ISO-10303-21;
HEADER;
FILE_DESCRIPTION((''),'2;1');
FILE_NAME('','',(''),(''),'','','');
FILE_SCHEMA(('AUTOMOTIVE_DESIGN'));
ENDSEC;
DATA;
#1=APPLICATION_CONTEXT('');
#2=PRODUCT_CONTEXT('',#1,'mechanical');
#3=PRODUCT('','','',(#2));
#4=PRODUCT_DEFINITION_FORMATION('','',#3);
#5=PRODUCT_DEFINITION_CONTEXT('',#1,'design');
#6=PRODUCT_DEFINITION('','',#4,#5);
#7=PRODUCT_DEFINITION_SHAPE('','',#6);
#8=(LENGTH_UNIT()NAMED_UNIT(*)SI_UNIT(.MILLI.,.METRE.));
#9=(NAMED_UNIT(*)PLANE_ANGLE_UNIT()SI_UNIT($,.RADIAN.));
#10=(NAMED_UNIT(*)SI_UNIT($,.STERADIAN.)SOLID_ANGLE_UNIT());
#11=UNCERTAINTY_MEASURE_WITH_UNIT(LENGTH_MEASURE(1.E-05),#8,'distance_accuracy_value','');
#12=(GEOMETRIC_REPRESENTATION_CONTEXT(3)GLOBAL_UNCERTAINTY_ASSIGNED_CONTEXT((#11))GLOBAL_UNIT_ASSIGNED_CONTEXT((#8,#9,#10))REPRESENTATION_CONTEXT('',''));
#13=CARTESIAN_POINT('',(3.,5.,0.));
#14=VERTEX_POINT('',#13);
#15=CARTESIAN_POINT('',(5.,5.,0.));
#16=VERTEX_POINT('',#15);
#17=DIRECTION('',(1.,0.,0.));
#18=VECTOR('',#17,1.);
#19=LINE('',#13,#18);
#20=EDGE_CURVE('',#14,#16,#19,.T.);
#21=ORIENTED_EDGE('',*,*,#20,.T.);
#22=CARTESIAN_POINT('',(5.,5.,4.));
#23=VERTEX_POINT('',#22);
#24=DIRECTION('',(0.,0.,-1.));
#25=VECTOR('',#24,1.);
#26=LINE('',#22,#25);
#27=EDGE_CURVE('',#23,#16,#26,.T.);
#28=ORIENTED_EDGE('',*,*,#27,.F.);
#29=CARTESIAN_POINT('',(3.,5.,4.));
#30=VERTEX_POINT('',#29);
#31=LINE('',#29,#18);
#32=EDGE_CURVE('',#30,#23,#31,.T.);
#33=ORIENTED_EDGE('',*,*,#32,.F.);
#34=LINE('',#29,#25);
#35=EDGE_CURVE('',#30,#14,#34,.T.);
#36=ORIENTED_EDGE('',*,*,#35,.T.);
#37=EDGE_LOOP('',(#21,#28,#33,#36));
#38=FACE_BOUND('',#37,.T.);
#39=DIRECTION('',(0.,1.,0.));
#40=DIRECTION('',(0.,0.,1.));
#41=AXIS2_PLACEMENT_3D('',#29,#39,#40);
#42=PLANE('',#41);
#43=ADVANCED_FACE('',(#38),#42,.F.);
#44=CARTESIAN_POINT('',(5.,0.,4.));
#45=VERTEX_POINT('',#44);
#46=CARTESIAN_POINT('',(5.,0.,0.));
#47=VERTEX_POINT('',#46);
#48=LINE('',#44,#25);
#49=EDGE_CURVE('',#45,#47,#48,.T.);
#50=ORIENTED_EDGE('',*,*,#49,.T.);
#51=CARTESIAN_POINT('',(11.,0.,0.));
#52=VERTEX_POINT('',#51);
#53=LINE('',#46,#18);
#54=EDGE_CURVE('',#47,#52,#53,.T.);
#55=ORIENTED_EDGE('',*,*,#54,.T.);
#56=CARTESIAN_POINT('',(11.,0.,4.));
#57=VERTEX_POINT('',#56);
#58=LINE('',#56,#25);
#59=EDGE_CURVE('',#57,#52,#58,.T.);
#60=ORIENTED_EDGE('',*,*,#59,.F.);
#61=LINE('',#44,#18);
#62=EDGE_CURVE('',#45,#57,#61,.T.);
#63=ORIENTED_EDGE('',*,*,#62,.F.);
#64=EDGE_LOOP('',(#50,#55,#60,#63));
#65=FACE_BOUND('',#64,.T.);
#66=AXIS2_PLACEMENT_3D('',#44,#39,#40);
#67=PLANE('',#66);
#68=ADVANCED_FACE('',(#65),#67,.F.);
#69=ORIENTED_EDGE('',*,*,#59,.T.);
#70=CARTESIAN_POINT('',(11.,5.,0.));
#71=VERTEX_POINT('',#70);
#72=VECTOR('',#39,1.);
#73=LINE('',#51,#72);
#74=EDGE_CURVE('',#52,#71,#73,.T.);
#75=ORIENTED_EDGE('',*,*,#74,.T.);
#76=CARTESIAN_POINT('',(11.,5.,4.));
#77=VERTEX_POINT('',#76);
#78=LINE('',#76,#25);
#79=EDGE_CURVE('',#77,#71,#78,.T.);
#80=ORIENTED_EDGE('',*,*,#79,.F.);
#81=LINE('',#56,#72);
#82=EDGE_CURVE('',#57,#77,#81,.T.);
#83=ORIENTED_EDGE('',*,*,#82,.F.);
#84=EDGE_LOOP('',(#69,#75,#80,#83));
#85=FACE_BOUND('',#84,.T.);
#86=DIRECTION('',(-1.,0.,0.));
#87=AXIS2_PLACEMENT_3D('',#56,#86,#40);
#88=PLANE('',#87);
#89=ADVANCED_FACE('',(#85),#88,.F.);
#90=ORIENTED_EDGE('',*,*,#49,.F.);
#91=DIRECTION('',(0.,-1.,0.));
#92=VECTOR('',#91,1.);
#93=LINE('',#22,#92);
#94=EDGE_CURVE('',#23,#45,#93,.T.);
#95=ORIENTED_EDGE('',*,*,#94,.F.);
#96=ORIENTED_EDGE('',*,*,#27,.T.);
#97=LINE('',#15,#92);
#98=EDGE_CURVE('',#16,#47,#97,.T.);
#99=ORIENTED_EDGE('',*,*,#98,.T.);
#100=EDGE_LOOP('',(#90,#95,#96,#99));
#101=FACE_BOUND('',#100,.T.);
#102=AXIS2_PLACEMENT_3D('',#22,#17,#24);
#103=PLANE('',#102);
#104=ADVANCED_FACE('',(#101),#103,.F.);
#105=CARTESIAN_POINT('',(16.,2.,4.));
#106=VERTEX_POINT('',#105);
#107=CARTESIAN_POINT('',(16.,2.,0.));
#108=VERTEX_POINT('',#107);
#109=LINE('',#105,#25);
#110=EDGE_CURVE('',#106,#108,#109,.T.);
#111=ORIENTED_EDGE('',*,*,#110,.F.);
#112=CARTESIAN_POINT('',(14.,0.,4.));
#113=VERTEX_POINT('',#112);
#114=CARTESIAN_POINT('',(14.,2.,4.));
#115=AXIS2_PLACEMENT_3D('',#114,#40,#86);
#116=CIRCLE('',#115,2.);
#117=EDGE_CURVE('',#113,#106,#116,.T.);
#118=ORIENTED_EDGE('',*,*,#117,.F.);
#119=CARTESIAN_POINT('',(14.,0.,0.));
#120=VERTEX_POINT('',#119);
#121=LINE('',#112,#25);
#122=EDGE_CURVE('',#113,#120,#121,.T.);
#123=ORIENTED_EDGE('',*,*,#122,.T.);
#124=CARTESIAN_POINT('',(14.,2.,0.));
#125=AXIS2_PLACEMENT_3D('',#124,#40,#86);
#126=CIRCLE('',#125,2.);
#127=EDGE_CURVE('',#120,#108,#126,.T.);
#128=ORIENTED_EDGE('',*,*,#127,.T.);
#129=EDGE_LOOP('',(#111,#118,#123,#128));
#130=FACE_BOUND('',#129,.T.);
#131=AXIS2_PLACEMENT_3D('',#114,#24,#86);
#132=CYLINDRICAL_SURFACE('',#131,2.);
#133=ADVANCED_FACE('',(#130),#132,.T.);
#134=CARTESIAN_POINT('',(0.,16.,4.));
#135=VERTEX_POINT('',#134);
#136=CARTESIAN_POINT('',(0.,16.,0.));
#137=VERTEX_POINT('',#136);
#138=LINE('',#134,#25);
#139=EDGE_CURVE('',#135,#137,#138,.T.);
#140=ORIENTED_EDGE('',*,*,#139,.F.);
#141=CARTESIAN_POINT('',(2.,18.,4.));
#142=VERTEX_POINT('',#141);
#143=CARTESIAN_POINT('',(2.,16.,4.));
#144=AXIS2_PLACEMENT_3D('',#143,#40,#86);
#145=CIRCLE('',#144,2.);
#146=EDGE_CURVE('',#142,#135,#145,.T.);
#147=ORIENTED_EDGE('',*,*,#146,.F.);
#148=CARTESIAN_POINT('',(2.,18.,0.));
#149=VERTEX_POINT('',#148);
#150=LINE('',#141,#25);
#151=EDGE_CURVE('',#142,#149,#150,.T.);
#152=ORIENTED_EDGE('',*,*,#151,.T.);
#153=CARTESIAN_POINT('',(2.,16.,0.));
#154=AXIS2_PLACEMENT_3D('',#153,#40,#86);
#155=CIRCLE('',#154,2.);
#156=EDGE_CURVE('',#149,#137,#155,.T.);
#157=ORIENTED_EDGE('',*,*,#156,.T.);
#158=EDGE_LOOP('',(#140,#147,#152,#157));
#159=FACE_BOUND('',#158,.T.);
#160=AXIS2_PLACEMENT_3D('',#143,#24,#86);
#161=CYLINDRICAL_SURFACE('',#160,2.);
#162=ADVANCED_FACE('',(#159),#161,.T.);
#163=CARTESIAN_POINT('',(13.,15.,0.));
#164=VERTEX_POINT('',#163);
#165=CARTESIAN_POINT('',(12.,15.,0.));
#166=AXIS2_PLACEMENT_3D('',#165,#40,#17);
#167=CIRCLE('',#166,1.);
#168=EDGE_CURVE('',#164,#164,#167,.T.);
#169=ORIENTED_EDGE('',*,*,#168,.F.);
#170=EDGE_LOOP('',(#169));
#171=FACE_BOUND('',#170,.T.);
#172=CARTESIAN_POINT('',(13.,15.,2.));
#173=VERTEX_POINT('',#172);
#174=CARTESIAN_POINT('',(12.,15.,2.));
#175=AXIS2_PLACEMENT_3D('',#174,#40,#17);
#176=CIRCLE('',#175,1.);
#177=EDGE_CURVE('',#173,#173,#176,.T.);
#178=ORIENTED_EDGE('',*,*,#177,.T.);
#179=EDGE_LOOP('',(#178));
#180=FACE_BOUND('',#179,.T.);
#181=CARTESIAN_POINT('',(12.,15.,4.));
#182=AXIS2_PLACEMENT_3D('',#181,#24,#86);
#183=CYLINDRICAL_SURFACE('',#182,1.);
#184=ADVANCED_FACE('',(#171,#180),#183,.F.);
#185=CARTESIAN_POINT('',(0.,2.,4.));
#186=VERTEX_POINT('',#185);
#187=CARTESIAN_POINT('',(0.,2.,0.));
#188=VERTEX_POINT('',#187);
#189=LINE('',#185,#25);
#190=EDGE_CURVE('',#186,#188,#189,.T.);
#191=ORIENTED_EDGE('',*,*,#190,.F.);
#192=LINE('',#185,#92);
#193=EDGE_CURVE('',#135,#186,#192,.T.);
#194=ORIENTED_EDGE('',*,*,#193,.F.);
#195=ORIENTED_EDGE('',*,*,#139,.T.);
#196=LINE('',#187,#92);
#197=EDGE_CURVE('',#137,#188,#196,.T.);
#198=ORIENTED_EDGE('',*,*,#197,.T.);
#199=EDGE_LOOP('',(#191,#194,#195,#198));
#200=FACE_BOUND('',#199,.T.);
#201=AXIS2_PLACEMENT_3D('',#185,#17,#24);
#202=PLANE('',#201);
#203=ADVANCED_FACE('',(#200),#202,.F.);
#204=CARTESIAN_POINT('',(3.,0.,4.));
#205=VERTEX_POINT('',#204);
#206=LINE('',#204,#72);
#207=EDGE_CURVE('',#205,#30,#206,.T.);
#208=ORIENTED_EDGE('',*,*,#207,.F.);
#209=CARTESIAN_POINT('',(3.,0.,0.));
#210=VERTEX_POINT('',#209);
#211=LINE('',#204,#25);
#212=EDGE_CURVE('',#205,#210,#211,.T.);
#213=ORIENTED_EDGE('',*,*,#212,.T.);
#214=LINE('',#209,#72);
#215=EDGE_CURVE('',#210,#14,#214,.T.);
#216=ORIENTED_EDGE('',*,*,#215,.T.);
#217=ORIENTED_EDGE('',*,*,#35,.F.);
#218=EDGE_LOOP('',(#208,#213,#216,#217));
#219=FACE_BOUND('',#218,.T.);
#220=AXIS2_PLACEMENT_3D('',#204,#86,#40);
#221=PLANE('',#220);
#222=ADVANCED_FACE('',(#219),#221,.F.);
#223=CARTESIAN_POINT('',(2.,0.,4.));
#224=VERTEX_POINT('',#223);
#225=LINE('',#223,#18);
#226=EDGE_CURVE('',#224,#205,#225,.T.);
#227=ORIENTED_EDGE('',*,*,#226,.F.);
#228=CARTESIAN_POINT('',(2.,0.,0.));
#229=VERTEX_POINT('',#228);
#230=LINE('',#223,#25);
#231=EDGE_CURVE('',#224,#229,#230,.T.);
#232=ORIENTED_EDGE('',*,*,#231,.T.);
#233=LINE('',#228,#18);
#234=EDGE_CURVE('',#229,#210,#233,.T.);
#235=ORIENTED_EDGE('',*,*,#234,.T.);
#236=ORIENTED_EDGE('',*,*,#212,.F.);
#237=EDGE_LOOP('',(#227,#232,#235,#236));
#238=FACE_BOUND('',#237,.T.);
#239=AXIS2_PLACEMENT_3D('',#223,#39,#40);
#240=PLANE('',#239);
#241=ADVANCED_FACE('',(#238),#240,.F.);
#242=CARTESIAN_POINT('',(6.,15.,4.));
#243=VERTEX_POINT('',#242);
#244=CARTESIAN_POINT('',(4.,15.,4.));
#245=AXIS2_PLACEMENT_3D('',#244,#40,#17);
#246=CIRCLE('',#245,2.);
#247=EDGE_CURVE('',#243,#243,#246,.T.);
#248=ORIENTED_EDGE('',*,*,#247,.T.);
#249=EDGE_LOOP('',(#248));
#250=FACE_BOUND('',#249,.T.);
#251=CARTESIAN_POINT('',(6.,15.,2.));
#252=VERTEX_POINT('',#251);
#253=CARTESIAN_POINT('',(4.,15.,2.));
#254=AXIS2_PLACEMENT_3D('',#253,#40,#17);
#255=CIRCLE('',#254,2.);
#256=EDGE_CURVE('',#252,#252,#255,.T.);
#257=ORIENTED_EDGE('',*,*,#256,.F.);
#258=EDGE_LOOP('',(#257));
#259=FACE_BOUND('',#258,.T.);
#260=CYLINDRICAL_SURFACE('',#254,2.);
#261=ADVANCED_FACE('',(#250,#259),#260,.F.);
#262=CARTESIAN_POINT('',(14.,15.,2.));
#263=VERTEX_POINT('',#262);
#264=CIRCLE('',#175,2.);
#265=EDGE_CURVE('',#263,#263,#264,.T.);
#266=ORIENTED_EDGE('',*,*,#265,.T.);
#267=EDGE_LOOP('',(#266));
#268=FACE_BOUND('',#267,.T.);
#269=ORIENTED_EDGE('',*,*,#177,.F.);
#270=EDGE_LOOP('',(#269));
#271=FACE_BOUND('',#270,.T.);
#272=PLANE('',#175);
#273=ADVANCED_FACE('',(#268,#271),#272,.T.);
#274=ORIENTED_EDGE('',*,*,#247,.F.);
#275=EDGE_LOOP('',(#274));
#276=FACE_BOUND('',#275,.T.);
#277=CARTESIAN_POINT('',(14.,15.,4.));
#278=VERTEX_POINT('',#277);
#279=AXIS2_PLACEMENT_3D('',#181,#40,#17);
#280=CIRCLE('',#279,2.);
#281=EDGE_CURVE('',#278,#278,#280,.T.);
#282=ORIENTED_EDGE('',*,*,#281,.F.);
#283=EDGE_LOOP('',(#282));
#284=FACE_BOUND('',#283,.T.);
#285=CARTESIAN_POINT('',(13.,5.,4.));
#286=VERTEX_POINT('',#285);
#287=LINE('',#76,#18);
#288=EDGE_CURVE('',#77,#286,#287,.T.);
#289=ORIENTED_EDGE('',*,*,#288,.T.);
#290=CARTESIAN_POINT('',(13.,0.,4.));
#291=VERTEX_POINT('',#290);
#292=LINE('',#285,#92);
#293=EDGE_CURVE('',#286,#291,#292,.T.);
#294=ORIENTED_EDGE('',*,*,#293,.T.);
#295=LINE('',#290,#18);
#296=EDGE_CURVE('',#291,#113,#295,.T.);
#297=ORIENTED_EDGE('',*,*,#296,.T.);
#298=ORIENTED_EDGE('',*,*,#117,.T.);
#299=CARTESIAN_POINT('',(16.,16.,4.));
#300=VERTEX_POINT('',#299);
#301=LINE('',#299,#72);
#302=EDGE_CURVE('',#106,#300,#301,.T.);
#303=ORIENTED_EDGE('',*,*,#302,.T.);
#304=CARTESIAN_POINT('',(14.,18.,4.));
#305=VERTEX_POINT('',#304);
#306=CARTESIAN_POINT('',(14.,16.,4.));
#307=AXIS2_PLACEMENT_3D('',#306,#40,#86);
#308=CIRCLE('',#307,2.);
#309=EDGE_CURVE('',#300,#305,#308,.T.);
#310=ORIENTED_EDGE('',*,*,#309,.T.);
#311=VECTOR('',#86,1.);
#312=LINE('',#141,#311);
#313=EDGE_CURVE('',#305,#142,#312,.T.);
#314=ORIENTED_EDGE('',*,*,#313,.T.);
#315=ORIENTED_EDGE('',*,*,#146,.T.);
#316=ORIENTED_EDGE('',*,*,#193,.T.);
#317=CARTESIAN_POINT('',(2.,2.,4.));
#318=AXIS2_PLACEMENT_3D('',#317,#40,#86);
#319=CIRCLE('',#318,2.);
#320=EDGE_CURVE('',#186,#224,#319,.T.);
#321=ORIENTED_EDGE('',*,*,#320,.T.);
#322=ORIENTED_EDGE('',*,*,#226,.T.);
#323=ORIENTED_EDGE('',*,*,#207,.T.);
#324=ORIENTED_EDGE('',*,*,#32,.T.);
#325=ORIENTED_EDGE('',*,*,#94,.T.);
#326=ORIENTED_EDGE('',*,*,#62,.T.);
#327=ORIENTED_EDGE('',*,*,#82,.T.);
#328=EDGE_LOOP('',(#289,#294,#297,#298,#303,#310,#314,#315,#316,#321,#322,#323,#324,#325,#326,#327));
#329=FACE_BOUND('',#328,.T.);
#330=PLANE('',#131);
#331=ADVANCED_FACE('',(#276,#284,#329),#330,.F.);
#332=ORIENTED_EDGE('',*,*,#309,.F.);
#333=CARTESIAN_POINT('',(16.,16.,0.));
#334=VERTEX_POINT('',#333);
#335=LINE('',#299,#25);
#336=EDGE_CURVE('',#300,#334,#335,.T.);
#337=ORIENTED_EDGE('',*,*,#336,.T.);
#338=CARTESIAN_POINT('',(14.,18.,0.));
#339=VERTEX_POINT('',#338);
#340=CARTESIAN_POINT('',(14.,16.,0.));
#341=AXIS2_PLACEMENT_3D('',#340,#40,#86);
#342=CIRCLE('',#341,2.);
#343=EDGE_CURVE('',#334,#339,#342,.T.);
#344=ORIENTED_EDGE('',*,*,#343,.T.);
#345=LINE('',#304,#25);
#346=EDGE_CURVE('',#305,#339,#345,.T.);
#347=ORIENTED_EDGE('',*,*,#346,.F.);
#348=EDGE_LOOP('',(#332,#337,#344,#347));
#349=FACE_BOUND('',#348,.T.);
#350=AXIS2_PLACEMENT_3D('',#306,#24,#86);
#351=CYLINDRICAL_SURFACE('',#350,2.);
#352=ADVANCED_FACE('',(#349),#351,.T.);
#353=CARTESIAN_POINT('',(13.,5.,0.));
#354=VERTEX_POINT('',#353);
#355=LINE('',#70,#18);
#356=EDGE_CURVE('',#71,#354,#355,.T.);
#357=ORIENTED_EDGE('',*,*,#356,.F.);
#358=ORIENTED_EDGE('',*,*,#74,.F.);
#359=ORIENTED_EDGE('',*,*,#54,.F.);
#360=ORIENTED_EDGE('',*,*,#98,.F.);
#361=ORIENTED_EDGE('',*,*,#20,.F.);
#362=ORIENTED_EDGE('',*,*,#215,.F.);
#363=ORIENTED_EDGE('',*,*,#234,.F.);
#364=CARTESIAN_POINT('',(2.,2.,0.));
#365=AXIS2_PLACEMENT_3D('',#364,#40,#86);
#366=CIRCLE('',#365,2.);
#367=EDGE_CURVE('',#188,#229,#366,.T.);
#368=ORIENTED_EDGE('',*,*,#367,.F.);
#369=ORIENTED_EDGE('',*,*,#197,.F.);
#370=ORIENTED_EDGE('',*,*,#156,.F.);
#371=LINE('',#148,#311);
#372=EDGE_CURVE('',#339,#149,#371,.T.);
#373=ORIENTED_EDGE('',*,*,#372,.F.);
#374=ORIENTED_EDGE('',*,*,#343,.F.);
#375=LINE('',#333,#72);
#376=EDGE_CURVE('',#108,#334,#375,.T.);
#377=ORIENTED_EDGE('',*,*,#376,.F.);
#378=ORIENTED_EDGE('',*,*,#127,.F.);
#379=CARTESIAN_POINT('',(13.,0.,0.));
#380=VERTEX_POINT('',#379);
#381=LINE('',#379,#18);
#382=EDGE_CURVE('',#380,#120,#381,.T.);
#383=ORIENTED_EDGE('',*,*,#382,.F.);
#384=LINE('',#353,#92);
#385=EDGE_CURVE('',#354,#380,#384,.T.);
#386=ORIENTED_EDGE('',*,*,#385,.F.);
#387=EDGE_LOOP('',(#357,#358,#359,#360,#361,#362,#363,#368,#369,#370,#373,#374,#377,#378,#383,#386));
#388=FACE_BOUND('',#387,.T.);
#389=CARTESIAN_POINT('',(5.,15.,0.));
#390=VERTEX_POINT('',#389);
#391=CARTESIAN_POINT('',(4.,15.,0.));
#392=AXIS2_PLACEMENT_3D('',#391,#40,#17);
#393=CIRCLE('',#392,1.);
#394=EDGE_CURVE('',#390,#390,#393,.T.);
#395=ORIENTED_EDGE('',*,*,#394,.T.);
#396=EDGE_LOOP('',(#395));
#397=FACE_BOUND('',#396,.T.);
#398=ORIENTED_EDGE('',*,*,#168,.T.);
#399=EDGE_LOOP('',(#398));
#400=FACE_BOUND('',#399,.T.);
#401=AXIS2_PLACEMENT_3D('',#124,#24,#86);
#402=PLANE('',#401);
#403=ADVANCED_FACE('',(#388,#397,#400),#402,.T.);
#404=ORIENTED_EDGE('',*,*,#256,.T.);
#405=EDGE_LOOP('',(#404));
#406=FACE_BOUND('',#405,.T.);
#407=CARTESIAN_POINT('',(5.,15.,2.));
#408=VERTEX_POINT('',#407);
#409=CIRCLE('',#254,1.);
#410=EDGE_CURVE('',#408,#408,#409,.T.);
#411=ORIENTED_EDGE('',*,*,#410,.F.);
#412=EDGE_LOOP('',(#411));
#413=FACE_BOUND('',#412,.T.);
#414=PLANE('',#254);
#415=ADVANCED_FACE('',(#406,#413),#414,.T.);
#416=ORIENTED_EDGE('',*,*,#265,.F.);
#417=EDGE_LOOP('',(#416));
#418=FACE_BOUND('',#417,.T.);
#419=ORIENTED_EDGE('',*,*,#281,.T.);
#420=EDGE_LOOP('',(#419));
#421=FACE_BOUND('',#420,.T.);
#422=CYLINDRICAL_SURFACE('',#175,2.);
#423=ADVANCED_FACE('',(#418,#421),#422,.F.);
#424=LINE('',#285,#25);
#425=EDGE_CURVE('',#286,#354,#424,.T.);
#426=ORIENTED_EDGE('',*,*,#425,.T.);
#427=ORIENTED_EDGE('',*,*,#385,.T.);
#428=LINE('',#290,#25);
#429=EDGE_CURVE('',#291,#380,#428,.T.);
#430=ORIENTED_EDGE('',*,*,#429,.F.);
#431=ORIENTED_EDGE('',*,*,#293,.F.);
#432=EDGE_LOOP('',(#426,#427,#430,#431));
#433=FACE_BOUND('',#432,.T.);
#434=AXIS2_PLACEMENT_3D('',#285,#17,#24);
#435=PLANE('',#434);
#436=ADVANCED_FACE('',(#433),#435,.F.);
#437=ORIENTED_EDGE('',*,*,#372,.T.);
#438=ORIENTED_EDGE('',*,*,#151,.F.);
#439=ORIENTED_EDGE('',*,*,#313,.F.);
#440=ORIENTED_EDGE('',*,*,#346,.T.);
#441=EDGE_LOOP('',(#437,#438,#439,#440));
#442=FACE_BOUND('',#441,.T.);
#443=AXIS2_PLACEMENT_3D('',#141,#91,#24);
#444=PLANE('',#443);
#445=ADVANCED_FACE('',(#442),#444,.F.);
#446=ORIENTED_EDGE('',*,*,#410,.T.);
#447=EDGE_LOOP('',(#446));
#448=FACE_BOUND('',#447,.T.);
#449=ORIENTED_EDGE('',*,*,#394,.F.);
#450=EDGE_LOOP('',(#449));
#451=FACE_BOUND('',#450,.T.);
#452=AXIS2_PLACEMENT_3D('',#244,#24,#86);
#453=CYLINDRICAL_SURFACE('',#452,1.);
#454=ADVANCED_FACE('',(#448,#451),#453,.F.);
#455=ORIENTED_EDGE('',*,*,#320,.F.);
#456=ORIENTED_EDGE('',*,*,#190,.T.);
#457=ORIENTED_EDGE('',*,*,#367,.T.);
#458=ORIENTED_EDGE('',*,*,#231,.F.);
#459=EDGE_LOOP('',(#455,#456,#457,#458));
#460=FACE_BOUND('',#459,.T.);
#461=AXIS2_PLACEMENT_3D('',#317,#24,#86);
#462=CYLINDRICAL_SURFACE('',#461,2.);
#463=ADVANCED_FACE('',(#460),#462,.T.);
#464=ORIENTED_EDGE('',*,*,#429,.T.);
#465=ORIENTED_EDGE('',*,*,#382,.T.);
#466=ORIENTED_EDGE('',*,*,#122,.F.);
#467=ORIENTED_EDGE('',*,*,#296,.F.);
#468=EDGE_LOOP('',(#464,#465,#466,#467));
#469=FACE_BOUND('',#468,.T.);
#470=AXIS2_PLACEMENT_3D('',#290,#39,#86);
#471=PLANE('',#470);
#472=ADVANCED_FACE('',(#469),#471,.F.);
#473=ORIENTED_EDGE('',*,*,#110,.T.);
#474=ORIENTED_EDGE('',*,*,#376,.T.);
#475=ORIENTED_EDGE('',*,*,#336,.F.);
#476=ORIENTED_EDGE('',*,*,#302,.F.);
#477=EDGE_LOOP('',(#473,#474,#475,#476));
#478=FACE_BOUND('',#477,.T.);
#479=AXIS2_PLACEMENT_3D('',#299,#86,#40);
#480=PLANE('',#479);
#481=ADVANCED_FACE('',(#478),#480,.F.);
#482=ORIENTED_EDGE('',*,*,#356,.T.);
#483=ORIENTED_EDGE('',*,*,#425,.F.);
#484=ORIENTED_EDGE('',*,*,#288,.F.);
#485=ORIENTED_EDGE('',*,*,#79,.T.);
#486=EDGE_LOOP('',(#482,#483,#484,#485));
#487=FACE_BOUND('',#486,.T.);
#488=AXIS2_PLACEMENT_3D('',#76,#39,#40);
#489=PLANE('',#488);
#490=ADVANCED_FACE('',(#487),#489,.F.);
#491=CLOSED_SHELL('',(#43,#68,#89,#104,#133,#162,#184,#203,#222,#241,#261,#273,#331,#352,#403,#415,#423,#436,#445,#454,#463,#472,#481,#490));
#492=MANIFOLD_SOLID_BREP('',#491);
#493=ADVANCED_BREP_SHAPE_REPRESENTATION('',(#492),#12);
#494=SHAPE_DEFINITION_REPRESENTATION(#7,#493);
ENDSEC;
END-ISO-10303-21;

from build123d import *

# Parameters (mm, degrees)
MODEL_R             = 1
BOSS_EXTRUDE1_DEPTH = 4
SKETCH2_R           = 2
CUT_EXTRUDE1_DEPTH  = 2


with BuildPart() as part:
    # Model → Boss-Extrude1 (new body)
    with BuildSketch(Plane.XY):
        with BuildLine():
            Line((2, 0), (3, 0))
            Line((3, 0), (3, 5))
            Line((3, 5), (5, 5))
            Line((5, 5), (5, 0))
            Line((5, 0), (11, 0))
            Line((11, 0), (11, 5))
            Line((11, 5), (13, 5))
            Line((13, 5), (13, 0))
            Line((13, 0), (14, 0))
            ThreePointArc((14, 0), (15.414213562, 0.585786438), (16, 2))
            Line((16, 2), (16, 16))
            ThreePointArc((16, 16), (15.414213562, 17.414213562), (14, 18))
            Line((14, 18), (2, 18))
            ThreePointArc((2, 18), (0.585786438, 17.414213562), (0, 16))
            Line((0, 16), (0, 2))
            ThreePointArc((0, 2), (0.585786438, 0.585786438), (2, 0))
        make_face()
        with Locations((4, 15)):
            Circle(MODEL_R, mode=Mode.SUBTRACT)
        with Locations((12, 15)):
            Circle(MODEL_R, mode=Mode.SUBTRACT)
    extrude(amount=BOSS_EXTRUDE1_DEPTH)

    # Sketch2 → Cut-Extrude1 (cut)
    with BuildSketch(Plane.XY.offset(4)):
        with Locations((4, 15)):
            Circle(SKETCH2_R)
        with Locations((12, 15)):
            Circle(SKETCH2_R)
    extrude(amount=-CUT_EXTRUDE1_DEPTH, mode=Mode.SUBTRACT)


solid = part.part
